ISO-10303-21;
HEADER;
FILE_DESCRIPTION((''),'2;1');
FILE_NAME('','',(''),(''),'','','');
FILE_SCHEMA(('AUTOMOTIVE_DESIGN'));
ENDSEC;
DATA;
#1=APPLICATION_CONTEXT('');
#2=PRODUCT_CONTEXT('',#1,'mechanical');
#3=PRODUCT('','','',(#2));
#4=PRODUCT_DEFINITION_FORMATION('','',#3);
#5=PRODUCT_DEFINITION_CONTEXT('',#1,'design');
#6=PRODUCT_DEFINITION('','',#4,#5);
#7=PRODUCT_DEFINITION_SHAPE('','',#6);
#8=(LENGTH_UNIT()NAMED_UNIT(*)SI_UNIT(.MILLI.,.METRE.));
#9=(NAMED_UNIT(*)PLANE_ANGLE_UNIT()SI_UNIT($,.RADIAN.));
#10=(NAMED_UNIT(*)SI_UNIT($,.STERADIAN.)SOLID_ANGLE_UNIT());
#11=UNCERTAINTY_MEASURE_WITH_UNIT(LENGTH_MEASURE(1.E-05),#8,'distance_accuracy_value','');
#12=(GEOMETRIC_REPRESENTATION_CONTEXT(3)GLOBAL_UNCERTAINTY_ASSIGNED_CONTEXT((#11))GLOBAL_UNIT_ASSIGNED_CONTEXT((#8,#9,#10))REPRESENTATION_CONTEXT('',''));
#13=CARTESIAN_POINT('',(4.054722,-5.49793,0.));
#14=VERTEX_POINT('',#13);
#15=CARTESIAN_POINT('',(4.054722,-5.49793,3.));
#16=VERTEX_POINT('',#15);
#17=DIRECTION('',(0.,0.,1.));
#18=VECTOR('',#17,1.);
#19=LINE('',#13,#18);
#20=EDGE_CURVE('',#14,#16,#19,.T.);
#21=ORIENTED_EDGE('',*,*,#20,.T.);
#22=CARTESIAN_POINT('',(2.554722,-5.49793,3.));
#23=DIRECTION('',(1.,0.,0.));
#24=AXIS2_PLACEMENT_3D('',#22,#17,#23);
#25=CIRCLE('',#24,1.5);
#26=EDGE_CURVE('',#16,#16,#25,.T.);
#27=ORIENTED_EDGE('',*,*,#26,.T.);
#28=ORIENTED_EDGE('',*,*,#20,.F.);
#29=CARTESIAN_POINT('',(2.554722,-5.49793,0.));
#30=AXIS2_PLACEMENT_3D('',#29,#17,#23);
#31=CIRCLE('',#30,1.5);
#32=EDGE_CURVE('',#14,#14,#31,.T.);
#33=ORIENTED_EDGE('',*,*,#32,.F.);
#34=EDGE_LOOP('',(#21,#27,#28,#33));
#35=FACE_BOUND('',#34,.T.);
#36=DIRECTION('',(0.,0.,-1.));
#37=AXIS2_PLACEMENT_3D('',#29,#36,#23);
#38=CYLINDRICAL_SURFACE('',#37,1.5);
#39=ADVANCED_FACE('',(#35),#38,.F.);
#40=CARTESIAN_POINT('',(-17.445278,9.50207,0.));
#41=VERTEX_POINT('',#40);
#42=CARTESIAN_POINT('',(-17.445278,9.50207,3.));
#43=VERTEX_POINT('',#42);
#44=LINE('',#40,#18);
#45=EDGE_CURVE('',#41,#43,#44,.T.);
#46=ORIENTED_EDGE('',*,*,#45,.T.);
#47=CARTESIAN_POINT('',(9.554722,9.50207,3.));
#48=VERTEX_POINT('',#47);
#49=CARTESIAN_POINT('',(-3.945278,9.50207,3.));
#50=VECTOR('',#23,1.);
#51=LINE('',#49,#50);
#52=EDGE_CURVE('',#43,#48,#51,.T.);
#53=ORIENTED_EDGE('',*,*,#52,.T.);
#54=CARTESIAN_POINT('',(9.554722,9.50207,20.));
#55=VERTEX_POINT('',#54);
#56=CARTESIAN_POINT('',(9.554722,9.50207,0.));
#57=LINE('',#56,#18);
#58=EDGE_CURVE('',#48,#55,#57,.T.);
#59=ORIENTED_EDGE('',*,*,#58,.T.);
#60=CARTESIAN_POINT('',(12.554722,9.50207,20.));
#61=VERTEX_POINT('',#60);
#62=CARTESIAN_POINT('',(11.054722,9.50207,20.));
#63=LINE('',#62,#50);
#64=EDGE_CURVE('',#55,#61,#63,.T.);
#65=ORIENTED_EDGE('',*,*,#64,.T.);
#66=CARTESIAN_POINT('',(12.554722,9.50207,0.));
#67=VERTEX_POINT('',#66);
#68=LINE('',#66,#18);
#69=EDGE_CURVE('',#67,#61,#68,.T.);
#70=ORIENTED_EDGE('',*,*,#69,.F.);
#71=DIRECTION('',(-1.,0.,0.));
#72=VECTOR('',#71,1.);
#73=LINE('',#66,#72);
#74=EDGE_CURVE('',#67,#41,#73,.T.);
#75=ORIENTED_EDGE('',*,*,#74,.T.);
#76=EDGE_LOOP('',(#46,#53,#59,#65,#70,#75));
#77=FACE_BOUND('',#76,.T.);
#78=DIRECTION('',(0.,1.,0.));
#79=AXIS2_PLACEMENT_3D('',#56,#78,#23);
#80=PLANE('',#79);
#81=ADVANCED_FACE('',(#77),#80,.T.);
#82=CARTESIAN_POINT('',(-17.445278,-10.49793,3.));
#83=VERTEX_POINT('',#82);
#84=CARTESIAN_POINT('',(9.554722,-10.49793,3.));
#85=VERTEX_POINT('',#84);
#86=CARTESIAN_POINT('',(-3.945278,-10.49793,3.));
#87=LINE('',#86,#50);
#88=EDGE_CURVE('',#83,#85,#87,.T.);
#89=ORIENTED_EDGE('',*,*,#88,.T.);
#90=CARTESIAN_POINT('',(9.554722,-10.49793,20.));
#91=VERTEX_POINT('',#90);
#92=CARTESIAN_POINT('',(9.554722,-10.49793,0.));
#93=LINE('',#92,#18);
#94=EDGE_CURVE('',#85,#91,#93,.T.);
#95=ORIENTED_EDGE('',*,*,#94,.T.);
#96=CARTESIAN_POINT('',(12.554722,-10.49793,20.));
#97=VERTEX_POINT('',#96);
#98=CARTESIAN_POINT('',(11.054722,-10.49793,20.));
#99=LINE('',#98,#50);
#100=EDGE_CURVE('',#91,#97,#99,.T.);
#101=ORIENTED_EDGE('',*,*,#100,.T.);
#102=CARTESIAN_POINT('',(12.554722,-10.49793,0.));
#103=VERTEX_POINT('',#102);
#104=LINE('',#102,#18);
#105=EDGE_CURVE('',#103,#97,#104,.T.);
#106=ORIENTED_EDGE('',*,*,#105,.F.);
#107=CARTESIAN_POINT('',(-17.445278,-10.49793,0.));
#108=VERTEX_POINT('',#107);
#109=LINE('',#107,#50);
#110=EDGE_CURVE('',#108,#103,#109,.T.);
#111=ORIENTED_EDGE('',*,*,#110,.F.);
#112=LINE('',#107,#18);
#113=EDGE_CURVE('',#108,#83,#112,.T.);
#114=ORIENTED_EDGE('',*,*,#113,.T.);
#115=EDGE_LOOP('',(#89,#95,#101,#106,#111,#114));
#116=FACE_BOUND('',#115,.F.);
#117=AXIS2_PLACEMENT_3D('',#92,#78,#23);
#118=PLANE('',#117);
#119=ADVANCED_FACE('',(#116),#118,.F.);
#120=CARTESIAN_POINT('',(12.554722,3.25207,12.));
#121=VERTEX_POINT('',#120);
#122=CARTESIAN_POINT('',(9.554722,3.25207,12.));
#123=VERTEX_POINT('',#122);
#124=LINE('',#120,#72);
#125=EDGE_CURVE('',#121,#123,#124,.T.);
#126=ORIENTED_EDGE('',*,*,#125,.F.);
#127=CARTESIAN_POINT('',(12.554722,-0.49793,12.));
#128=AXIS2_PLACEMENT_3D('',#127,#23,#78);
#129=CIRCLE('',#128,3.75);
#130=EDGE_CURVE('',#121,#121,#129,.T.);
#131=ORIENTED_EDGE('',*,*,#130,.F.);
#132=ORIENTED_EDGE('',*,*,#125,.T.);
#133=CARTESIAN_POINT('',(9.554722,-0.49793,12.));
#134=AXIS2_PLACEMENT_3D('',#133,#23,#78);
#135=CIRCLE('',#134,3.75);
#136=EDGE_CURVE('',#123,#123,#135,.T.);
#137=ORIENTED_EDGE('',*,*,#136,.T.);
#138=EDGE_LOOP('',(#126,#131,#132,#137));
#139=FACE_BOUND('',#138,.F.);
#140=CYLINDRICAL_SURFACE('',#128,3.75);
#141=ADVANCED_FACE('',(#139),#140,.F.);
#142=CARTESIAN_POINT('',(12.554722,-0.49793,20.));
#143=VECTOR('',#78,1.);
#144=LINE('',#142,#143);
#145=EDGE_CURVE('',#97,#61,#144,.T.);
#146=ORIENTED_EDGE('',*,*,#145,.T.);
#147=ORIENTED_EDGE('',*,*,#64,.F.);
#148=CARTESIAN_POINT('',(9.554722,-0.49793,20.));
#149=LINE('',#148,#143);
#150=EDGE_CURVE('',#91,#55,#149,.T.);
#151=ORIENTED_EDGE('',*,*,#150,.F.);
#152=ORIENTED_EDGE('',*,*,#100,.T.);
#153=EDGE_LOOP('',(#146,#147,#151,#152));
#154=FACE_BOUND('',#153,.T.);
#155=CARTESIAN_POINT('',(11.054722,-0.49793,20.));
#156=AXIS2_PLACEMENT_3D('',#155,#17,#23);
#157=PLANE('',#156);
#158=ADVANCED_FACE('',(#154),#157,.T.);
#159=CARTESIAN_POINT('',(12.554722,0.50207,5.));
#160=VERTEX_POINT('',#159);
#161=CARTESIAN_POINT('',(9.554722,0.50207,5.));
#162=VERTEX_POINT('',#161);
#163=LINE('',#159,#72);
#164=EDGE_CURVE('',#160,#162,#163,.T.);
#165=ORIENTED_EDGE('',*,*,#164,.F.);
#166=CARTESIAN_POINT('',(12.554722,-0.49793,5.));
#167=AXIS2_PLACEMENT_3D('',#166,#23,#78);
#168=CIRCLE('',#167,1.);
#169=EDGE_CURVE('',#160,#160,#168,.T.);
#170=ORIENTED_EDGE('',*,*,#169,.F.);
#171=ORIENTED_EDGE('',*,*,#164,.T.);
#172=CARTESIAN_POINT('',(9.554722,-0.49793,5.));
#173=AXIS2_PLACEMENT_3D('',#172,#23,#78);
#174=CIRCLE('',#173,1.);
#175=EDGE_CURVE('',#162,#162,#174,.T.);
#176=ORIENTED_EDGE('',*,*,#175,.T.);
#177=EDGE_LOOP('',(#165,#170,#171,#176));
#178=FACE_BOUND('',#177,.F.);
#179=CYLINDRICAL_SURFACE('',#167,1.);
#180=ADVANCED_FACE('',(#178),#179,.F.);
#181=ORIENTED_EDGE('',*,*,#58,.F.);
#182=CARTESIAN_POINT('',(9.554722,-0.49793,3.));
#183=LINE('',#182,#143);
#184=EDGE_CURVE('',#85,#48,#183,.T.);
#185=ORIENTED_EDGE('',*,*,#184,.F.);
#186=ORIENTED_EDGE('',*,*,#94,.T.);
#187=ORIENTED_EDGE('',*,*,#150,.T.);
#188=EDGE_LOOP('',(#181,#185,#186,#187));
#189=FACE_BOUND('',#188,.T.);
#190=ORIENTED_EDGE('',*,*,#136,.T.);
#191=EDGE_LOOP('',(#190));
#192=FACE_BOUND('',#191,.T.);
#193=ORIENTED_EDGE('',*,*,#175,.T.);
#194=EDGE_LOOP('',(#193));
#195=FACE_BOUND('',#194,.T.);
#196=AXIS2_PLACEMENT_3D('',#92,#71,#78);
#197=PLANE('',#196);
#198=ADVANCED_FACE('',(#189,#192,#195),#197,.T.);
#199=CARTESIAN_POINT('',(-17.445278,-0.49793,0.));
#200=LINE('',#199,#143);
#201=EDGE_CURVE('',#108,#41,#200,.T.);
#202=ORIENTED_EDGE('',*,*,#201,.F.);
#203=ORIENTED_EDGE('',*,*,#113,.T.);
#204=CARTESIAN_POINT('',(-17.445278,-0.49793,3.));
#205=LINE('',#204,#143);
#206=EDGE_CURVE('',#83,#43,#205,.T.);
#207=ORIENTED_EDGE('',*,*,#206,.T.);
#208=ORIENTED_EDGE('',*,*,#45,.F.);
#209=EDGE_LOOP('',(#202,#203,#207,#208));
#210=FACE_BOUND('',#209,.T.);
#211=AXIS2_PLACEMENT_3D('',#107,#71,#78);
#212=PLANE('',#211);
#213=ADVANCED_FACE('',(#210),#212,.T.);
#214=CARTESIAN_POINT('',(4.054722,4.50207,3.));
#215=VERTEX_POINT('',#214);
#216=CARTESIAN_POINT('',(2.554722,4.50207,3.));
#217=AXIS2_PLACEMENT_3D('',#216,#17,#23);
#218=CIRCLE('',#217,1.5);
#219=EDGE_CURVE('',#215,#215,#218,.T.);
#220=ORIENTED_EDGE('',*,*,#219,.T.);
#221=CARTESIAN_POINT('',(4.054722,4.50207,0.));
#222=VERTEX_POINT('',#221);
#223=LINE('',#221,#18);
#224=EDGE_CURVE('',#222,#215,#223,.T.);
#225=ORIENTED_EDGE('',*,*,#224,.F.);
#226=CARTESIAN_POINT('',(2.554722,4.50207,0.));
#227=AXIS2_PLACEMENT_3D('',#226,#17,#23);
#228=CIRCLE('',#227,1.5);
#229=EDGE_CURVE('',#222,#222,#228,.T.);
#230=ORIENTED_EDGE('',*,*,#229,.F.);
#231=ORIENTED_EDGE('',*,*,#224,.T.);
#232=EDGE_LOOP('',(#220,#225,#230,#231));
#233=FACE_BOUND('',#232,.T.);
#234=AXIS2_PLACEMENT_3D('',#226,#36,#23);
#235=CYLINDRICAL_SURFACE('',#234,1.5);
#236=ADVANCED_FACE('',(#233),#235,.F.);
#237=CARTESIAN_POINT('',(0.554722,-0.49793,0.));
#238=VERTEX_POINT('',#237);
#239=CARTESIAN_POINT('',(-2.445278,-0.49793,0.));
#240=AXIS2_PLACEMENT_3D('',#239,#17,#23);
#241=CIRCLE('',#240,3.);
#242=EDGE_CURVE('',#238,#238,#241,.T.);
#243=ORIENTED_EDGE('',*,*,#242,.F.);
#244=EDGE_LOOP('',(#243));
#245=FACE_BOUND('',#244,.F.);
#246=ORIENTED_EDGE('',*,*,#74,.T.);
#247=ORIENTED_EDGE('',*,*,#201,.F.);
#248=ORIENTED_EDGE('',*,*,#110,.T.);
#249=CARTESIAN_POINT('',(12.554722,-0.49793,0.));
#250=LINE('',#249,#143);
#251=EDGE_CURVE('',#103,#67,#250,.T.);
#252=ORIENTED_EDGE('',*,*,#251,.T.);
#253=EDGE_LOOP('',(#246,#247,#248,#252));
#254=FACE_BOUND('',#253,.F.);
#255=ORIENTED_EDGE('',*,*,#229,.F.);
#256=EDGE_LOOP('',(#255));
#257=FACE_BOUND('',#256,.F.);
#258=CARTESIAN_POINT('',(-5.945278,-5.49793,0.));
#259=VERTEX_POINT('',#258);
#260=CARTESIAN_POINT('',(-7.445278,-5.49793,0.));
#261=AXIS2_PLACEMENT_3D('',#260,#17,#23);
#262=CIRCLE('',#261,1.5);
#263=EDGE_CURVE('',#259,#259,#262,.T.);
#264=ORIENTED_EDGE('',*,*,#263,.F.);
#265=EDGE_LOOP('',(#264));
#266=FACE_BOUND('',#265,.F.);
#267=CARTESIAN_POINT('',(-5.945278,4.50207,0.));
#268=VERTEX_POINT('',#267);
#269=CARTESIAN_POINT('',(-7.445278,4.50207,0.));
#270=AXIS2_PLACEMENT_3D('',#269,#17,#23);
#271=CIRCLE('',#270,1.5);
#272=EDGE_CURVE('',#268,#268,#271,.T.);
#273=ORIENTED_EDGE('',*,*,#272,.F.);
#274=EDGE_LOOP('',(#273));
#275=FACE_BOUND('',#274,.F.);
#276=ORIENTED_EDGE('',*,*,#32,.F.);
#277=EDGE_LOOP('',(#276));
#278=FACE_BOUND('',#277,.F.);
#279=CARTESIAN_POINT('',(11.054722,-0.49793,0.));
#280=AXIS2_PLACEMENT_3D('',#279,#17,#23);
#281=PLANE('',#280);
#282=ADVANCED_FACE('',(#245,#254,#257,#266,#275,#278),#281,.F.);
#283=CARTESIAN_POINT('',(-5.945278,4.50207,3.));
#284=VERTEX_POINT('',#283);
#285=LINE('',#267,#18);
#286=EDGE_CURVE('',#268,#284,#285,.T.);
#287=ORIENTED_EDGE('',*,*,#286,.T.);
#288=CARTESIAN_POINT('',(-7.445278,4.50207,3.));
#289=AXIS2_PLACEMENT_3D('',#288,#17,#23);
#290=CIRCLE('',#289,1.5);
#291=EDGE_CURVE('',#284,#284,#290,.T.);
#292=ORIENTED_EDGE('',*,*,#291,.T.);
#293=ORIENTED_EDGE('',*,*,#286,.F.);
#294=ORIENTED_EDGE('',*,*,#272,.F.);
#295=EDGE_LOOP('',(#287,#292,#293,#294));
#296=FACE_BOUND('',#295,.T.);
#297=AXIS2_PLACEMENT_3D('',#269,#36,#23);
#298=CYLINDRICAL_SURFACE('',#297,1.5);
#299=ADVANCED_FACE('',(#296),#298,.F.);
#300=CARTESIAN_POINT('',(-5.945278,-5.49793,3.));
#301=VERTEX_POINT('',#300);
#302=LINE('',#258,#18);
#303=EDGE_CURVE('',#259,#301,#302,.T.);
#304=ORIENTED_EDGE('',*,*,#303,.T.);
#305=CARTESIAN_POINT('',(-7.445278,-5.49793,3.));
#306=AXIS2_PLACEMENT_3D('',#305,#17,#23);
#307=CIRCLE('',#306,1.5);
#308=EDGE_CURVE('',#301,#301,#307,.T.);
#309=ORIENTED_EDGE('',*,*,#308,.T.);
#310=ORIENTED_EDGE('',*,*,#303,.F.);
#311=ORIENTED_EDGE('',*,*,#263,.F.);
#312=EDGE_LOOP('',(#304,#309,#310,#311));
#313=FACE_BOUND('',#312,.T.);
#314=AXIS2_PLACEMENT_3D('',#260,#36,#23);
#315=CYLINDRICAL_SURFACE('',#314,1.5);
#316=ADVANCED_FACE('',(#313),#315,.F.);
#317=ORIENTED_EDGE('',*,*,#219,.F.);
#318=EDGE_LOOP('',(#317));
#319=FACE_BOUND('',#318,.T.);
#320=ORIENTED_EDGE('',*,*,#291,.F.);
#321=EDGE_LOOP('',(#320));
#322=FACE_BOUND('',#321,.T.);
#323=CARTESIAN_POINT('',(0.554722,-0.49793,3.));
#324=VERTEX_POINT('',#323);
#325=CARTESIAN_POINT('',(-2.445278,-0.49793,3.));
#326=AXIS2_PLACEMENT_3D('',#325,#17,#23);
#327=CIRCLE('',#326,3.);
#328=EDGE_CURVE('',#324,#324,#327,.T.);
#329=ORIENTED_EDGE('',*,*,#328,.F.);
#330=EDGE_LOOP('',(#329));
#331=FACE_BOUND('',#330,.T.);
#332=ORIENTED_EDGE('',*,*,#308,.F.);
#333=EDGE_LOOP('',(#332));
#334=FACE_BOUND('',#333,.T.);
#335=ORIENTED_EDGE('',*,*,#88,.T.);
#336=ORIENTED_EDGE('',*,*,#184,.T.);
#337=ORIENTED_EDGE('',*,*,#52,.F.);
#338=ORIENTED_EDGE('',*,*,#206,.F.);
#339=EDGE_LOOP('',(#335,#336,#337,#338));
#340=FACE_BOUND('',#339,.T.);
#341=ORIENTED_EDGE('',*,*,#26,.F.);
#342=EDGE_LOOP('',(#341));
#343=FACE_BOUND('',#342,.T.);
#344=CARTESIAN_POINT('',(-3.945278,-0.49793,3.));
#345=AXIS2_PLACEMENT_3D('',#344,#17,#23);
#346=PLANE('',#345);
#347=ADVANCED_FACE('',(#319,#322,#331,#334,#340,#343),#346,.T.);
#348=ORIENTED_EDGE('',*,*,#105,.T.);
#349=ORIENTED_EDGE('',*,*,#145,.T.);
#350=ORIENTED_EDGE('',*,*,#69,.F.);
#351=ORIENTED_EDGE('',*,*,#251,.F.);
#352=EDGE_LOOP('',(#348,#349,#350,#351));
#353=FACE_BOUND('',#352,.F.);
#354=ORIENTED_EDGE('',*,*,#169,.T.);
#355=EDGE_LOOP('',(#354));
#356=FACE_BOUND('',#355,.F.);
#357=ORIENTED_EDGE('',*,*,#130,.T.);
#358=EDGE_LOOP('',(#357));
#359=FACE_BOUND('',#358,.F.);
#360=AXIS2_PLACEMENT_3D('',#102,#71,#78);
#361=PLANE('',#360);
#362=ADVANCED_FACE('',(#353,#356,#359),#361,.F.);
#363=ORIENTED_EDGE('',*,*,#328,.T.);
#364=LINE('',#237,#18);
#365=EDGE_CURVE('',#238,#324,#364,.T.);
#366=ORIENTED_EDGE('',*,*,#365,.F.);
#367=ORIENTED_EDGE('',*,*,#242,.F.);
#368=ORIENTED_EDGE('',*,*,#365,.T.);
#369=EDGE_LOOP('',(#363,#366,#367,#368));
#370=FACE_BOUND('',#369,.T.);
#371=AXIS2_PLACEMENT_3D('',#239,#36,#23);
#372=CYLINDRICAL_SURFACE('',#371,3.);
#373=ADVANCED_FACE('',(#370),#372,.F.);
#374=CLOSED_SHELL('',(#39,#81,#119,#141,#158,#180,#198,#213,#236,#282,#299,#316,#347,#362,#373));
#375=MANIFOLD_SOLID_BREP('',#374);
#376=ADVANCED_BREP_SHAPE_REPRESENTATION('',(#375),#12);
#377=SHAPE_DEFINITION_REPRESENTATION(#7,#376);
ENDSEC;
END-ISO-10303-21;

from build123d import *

# Parameters (mm, degrees)
F0_W     = 27
F0_H     = 20
F0_R     = 1.5
F0_R_2   = 3
F1_DEPTH = 3
F0_W_2   = 3
F2_DEPTH = 20
F3_R     = 3.75
F3_R_2   = 1
F4_DEPTH = 3


with BuildPart() as f1:
    # F0 (on Top) → F1 (new body)
    with BuildSketch(Plane.XY):
        with Locations((-3.945278, -0.49793)):
            Rectangle(F0_W, F0_H)
        with Locations((-7.445278, -5.49793)):
            Circle(F0_R, mode=Mode.SUBTRACT)
        with Locations((2.554722, -5.49793)):
            Circle(F0_R, mode=Mode.SUBTRACT)
        with Locations((-7.445278, 4.50207)):
            Circle(F0_R, mode=Mode.SUBTRACT)
        with Locations((-2.445278, -0.49793)):
            Circle(F0_R_2, mode=Mode.SUBTRACT)
        with Locations((2.554722, 4.50207)):
            Circle(F0_R, mode=Mode.SUBTRACT)
    extrude(amount=F1_DEPTH)

    # F0 (on Top) → F2 (join)
    with BuildSketch(Plane.XY):
        with Locations((11.054722, -0.49793)):
            Rectangle(F0_W_2, F0_H)
    extrude(amount=F2_DEPTH)

    # F3 (on face) → F4 (cut)
    with BuildSketch(Plane.YZ.offset(12.554722)):
        with Locations((-0.49793, 12)):
            Circle(F3_R)
        with Locations((-0.49793, 5)):
            Circle(F3_R_2)
        with Locations((-0.49793, -2.5)):
            Circle(F3_R_2)
    extrude(amount=-F4_DEPTH, mode=Mode.SUBTRACT)


solid = f1.part
